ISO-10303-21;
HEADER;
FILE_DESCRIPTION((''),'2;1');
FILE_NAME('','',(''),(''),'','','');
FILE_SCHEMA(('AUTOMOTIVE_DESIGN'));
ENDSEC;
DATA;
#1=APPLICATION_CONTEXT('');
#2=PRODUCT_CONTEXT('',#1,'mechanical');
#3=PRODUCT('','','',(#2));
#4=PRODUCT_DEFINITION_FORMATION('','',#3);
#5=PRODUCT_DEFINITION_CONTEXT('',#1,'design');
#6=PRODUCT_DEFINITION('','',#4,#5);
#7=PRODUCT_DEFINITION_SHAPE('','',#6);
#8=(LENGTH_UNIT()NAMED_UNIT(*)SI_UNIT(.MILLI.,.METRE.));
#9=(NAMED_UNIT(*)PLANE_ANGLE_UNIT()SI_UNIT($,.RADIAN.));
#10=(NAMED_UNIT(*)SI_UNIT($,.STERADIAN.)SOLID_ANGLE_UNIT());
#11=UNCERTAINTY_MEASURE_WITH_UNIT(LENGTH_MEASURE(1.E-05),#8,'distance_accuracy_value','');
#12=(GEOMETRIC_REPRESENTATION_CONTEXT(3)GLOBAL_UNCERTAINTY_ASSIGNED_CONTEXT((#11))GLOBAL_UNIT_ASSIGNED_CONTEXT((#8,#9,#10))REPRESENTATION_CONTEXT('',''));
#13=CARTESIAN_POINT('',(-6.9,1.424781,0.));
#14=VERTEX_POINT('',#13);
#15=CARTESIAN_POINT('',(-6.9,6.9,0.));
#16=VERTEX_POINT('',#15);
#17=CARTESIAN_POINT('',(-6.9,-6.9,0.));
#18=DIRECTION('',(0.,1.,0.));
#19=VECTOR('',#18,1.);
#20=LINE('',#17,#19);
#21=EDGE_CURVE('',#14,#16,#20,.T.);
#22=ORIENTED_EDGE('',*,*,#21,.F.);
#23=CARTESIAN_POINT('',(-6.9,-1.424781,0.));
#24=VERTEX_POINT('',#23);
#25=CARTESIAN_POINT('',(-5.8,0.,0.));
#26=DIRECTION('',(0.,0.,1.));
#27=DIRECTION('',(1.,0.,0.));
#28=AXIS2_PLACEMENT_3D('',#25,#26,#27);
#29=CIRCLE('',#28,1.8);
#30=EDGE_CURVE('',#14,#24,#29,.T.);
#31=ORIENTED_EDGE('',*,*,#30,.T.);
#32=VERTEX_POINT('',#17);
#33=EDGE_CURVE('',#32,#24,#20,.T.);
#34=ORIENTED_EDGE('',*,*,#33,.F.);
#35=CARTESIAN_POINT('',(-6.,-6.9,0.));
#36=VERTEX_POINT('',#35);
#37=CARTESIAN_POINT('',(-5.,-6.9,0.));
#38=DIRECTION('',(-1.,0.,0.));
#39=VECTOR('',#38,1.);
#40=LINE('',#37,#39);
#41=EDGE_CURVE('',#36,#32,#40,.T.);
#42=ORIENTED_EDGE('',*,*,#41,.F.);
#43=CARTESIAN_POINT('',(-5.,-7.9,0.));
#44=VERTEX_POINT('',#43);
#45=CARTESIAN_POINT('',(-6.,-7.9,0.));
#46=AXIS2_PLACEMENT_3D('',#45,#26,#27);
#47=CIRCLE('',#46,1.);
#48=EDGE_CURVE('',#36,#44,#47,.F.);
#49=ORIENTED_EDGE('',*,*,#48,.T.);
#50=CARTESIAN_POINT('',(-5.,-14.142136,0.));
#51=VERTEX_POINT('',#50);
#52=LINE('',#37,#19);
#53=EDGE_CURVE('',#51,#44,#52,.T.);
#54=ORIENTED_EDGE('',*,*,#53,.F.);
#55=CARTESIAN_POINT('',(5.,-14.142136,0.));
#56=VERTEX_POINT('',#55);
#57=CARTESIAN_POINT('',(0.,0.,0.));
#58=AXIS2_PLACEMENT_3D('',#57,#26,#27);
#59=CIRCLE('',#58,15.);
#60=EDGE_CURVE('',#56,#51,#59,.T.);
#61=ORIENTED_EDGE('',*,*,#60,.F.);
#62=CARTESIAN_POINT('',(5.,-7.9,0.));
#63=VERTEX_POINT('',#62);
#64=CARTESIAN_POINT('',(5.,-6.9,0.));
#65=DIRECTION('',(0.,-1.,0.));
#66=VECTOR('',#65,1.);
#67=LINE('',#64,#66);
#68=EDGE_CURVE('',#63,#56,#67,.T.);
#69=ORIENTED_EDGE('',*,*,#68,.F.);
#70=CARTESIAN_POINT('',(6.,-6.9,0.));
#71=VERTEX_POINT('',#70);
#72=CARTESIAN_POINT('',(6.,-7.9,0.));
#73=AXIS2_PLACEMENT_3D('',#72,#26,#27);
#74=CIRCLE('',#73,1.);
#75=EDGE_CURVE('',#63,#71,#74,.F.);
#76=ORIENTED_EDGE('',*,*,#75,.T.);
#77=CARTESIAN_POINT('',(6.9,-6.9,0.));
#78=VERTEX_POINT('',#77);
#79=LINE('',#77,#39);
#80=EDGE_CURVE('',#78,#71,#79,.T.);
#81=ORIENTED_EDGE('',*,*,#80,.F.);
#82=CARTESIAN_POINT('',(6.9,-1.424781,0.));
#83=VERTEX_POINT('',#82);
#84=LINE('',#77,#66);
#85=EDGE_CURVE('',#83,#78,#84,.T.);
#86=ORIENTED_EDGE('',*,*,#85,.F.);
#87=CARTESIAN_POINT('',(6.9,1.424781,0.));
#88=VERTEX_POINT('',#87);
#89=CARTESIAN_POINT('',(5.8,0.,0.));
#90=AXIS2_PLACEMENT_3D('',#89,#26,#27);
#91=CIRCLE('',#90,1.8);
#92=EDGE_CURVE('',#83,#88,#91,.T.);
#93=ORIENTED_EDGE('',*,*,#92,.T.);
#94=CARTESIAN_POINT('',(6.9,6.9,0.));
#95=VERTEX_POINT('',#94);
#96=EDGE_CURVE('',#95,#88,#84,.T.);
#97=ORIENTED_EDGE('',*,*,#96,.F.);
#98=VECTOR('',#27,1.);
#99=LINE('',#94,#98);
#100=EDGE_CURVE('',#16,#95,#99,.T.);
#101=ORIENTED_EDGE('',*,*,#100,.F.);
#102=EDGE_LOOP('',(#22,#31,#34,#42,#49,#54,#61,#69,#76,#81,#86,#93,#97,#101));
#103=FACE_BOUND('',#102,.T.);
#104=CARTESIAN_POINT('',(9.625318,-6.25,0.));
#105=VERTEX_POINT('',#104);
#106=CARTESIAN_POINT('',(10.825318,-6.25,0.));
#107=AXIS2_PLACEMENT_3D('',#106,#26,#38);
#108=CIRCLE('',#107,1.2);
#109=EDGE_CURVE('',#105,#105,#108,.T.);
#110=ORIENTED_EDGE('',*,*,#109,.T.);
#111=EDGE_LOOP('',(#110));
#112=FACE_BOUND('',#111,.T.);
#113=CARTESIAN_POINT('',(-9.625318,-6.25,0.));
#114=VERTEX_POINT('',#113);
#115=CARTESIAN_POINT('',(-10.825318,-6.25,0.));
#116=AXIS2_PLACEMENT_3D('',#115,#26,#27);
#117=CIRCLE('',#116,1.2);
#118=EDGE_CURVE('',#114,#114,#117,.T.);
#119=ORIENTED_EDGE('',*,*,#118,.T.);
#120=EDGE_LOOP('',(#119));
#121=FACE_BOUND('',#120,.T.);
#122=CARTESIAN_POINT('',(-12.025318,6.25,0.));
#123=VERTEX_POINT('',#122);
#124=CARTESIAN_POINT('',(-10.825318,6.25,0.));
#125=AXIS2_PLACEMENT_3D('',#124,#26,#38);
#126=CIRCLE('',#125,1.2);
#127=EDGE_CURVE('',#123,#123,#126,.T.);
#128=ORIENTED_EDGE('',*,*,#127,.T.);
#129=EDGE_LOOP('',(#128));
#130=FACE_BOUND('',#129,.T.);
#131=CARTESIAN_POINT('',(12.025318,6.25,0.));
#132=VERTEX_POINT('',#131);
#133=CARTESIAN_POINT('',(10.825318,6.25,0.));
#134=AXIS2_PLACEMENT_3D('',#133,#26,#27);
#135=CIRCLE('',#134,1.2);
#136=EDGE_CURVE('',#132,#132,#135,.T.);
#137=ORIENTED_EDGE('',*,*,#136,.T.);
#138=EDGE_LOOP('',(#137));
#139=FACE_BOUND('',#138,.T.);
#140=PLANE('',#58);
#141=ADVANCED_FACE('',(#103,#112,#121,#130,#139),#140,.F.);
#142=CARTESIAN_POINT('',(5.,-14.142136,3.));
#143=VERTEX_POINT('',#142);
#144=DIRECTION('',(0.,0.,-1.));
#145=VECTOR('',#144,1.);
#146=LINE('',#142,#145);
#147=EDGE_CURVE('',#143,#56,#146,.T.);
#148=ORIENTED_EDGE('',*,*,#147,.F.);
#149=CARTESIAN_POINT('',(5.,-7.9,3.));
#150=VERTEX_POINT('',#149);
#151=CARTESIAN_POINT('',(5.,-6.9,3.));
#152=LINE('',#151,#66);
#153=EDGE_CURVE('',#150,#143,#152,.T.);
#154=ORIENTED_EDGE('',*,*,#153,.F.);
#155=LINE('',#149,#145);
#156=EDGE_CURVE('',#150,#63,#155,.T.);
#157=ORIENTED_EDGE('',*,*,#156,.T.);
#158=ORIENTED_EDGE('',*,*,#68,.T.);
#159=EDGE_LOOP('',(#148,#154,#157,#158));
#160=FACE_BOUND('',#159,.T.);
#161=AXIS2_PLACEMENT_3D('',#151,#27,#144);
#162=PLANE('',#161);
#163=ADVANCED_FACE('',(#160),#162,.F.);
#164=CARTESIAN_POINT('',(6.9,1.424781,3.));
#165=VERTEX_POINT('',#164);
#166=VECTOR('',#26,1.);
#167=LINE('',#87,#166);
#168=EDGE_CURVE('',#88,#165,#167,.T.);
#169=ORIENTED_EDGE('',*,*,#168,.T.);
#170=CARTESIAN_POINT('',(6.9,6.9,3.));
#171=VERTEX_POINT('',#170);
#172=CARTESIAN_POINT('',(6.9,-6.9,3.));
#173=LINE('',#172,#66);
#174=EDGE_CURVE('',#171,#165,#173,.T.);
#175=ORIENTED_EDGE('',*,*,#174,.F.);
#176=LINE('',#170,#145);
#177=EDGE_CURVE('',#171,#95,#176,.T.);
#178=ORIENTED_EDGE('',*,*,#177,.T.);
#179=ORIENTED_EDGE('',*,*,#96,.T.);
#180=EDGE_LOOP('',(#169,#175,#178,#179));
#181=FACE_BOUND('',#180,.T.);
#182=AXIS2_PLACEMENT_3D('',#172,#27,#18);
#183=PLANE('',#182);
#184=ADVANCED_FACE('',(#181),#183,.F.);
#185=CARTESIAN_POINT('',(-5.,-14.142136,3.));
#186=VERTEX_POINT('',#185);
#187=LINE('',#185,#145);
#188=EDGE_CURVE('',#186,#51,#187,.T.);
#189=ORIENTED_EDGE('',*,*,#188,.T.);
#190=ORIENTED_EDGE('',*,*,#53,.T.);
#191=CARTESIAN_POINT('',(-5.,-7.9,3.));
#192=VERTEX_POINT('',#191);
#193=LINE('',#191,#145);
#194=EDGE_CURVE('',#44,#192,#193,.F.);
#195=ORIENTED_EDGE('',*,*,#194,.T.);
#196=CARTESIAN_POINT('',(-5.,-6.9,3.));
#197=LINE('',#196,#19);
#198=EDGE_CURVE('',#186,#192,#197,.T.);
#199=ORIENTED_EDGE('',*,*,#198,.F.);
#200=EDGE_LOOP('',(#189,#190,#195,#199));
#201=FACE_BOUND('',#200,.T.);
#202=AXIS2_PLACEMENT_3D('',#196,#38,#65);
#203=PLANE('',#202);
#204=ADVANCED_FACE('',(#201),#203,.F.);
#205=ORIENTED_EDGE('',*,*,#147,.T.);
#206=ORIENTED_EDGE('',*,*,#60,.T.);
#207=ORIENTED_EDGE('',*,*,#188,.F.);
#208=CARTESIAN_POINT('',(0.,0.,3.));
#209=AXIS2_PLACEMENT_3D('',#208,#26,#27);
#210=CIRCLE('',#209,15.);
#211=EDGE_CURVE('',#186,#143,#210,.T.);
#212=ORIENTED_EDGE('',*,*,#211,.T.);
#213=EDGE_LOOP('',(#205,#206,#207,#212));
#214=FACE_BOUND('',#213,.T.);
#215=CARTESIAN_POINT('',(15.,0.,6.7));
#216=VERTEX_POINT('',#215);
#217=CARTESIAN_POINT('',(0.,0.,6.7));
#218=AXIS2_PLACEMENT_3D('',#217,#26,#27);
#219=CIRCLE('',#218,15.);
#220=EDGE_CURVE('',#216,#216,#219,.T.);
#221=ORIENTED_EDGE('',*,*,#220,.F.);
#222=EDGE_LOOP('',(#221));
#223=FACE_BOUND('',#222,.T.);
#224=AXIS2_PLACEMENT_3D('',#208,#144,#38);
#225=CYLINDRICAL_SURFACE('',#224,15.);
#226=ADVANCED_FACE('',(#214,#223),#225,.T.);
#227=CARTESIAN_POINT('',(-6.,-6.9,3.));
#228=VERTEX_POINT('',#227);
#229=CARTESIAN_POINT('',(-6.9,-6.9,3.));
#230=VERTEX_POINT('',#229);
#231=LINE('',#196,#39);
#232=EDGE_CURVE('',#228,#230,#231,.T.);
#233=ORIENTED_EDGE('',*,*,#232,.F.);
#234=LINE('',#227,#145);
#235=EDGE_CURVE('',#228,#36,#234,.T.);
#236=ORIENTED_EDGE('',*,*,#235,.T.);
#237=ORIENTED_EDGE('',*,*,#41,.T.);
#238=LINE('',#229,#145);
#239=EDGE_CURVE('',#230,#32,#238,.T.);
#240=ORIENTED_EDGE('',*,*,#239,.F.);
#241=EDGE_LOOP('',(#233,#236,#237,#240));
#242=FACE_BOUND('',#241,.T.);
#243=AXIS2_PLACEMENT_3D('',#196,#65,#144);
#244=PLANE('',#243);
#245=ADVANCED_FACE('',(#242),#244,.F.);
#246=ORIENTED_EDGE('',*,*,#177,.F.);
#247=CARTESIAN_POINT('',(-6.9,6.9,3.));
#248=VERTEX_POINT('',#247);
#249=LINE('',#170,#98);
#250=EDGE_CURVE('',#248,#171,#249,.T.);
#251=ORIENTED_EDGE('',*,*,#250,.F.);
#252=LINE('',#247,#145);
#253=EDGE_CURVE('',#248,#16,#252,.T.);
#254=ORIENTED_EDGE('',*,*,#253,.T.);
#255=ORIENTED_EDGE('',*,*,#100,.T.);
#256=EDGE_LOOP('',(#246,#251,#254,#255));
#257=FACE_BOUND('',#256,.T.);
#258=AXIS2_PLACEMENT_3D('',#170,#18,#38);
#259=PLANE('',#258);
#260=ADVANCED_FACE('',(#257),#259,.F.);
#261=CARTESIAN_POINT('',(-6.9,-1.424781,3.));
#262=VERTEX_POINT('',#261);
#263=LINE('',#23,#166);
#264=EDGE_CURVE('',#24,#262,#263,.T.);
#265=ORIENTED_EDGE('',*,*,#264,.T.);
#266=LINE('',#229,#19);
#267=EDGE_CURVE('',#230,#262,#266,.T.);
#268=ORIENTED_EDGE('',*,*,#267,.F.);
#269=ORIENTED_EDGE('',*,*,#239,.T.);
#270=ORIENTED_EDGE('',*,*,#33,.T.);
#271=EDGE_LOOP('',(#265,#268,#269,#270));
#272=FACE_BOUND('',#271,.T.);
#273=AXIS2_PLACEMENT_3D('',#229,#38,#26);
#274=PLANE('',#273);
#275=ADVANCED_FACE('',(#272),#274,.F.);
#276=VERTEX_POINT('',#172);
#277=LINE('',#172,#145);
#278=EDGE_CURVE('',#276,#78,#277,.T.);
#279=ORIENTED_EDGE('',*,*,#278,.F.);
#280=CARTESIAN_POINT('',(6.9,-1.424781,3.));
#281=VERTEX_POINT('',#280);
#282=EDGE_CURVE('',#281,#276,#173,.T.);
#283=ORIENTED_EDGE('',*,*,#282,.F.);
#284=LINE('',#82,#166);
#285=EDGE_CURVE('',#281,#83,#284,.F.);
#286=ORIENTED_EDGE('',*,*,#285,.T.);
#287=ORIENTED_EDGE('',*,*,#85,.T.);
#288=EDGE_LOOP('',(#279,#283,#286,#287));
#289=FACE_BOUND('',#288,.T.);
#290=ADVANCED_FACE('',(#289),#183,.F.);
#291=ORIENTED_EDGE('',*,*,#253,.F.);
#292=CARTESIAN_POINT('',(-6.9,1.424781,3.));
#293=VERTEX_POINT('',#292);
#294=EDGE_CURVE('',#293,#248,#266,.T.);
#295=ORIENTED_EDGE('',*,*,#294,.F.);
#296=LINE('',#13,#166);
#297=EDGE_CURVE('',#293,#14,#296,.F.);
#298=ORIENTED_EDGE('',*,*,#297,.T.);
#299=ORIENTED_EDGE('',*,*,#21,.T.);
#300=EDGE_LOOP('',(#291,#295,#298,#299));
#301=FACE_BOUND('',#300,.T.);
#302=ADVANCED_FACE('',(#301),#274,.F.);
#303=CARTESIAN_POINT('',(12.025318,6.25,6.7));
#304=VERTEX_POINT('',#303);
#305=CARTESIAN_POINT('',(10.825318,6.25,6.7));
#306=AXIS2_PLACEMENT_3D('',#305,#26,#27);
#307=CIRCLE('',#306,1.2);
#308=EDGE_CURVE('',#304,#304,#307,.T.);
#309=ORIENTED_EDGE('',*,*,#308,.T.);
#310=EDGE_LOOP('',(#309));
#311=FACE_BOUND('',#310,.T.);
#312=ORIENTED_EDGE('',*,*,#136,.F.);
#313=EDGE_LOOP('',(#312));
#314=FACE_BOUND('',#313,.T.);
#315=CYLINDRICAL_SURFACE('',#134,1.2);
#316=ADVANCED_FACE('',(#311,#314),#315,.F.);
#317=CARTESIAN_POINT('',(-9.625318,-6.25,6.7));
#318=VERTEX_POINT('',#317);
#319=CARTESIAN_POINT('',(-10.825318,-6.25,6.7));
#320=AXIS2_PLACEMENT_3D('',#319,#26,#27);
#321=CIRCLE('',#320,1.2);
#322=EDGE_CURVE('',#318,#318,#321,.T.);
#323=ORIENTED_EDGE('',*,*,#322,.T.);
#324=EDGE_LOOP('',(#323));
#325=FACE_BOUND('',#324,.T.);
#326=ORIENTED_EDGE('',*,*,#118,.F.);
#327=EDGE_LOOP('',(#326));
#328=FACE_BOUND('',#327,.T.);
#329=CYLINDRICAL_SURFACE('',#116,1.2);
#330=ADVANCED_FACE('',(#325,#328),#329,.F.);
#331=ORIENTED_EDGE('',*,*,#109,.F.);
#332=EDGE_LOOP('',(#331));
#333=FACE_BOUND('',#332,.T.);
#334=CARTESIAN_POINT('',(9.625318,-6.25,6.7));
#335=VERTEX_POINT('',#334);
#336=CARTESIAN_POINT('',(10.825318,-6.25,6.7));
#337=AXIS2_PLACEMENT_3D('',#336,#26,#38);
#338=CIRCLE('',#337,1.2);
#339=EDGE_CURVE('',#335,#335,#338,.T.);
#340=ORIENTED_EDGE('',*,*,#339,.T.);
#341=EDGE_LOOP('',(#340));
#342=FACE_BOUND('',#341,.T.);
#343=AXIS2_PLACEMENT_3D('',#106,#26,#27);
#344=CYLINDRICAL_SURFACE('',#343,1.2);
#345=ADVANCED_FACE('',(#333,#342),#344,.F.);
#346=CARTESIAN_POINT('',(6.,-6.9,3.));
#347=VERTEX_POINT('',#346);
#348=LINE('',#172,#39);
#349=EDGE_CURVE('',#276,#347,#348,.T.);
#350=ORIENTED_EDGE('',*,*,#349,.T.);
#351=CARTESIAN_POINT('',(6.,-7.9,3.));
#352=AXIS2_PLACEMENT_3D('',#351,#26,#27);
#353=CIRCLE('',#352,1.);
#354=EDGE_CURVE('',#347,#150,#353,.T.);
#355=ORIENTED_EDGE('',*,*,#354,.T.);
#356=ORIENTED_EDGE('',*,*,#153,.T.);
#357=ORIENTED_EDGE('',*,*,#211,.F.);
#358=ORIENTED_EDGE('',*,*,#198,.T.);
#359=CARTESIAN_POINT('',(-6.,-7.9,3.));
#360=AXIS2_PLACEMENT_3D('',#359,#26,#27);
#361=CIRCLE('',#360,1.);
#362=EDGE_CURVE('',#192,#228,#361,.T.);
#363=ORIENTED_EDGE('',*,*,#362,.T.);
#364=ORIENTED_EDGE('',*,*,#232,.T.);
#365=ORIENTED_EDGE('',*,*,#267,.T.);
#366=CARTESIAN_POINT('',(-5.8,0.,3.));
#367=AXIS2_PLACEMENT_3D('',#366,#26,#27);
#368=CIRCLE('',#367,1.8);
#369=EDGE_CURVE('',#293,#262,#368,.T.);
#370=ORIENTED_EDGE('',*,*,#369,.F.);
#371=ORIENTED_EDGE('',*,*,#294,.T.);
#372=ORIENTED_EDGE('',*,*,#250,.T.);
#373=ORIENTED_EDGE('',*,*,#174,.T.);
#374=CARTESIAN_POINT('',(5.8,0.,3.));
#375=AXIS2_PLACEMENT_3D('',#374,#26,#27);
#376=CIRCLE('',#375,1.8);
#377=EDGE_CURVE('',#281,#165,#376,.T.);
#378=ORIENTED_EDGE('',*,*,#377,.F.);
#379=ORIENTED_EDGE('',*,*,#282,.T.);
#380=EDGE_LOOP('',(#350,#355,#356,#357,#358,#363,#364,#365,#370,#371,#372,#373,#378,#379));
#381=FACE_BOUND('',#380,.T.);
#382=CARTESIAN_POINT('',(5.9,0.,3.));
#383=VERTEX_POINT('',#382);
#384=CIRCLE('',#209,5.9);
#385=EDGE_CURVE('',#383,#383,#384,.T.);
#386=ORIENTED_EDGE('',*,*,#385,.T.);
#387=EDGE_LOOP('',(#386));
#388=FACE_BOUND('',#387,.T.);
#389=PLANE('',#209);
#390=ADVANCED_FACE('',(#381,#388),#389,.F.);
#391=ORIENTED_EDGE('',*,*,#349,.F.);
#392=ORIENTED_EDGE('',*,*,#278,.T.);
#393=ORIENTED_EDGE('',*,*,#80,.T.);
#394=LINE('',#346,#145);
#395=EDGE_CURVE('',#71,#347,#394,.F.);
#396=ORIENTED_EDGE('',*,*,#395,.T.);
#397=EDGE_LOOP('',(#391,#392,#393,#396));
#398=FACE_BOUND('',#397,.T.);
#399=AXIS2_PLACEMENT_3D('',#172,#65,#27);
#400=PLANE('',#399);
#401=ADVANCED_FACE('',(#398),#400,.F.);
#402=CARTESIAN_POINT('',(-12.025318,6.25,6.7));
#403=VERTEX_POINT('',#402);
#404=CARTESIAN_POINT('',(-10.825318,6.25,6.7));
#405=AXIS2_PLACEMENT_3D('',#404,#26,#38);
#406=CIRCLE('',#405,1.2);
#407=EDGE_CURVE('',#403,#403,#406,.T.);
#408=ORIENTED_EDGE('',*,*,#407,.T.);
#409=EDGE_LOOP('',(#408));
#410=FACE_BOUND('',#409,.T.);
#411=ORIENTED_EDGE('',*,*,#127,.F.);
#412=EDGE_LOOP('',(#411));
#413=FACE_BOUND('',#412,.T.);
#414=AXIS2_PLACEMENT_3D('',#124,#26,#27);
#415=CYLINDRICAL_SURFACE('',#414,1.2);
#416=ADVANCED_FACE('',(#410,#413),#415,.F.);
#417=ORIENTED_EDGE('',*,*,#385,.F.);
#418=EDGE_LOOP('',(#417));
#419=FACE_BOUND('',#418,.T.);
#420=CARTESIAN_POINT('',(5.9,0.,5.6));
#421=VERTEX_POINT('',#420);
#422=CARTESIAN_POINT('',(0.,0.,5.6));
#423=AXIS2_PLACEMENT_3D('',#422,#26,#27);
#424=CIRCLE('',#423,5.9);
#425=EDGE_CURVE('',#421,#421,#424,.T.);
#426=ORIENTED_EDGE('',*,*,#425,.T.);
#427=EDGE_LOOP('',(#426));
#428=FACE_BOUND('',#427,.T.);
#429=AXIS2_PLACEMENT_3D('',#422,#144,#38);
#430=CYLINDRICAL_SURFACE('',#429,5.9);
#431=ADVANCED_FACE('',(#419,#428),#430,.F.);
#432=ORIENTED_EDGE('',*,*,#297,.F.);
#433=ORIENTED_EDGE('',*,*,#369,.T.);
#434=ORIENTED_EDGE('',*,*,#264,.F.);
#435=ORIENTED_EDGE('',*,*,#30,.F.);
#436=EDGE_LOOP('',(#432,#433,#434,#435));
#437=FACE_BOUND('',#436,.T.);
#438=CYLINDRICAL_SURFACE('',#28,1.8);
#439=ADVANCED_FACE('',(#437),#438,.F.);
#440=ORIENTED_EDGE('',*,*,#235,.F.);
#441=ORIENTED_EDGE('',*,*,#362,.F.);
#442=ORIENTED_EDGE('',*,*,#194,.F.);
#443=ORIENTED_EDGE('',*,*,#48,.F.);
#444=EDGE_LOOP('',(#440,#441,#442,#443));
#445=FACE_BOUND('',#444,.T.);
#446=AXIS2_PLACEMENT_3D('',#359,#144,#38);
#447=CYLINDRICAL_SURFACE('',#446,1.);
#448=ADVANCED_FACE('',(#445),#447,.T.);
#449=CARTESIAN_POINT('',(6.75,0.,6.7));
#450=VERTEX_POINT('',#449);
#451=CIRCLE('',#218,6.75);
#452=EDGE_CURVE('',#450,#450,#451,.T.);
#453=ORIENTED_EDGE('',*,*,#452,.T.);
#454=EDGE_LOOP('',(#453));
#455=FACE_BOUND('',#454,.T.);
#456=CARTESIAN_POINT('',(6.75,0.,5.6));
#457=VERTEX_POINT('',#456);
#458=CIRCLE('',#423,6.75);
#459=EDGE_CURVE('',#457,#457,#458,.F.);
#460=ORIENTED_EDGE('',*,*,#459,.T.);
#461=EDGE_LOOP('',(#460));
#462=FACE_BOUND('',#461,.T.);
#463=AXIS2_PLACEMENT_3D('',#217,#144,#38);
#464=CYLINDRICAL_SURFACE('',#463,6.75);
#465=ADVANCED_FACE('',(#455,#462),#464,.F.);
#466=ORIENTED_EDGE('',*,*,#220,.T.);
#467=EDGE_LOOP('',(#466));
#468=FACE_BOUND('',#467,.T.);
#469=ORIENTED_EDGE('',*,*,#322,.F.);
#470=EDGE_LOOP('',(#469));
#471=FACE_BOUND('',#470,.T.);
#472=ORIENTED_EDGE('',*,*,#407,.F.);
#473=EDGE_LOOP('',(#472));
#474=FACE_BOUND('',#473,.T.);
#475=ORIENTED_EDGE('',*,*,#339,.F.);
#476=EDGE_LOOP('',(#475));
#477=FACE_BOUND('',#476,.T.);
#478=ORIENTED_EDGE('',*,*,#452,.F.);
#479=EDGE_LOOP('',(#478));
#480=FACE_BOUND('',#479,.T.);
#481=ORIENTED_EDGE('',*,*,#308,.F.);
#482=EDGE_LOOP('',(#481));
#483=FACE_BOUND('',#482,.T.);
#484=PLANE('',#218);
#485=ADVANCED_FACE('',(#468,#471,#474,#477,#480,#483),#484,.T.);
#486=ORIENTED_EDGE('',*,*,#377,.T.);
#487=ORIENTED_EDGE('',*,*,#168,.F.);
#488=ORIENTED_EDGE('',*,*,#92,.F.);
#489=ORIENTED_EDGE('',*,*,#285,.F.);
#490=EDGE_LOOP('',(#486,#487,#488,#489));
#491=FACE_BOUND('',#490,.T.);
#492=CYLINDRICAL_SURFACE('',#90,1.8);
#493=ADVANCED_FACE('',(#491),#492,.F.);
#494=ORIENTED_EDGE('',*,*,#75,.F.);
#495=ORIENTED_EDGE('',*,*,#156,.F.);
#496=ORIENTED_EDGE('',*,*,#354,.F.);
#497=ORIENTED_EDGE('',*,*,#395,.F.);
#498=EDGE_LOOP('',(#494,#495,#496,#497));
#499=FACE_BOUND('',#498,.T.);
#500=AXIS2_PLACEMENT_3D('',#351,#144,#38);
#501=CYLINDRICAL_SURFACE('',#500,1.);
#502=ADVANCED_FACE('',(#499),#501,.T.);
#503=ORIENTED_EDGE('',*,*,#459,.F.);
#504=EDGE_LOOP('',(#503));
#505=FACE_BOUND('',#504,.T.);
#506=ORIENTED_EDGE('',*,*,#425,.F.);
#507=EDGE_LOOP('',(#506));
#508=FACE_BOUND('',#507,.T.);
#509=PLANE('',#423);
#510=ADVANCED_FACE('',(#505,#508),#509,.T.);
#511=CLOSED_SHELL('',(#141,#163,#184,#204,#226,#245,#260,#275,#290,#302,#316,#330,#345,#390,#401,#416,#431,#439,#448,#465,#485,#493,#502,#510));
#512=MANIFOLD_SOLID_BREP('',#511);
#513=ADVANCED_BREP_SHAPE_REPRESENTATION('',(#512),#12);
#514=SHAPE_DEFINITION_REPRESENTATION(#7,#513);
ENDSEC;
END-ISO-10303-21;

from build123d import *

# Parameters (mm, degrees)
EXTRUDE_1_DEPTH     = 3
CUT_EXTRUDE_4_DEPTH = 4
SKETCH_12_R         = 15
SKETCH_12_R_2       = 5.9
EXTRUDE_2_DEPTH     = 2.6
SKETCH_13_R         = 15
SKETCH_13_R_2       = 6.75
EXTRUDE_3_DEPTH     = 1.1
SKETCH_14_R         = 1.2
CUT_EXTRUDE_5_DEPTH = 7.7
FILLET_1_R          = 1


with BuildPart() as part:
    # 스케치1 → 보스-돌출1 (new body)
    with BuildSketch(Plane.XY):
        with BuildLine():
            Line((-5, -6.9), (-6.9, -6.9))
            Line((-6.9, -6.9), (-6.9, 6.9))
            Line((-6.9, 6.9), (6.9, 6.9))
            Line((6.9, 6.9), (6.9, -6.9))
            Line((6.9, -6.9), (5, -6.9))
            Line((5, -6.9), (5, -14.142135624))
            ThreePointArc((5, -14.142135624), (0, 15), (-5, -14.142135624))
            Line((-5, -14.142135624), (-5, -6.9))
        make_face()
    extrude(amount=EXTRUDE_1_DEPTH)

    # 스케치11 → 컷-돌출4 (cut, through all)
    with BuildSketch(Plane.XY.offset(3)):
        with BuildLine():
            Line((5.8, -1.8), (-5.8, -1.8))
            ThreePointArc((-5.8, -1.8), (-7.6, 0), (-5.8, 1.8))
            Line((-5.8, 1.8), (5.8, 1.8))
            ThreePointArc((5.8, 1.8), (7.6, 0), (5.8, -1.8))
        make_face()
    extrude(amount=-CUT_EXTRUDE_4_DEPTH, mode=Mode.SUBTRACT)

    # 스케치12 → 보스-돌출2 (add)
    with BuildSketch(Plane.XY.offset(3)):
        Circle(SKETCH_12_R)
        Circle(SKETCH_12_R_2, mode=Mode.SUBTRACT)
    extrude(amount=EXTRUDE_2_DEPTH)

    # 스케치13 → 보스-돌출3 (add)
    with BuildSketch(Plane.XY.offset(5.6)):
        Circle(SKETCH_13_R)
        Circle(SKETCH_13_R_2, mode=Mode.SUBTRACT)
    extrude(amount=EXTRUDE_3_DEPTH)

    # 스케치14 → 컷-돌출5 (cut, through all)
    with BuildSketch(Plane.XY.offset(6.7)):
        with Locations((10.825317547, 6.25)):
            Circle(SKETCH_14_R)
        with Locations((-10.825317547, 6.25)):
            Circle(SKETCH_14_R)
        with Locations((10.825317547, -6.25)):
            Circle(SKETCH_14_R)
        with Locations((-10.825317547, -6.25)):
            Circle(SKETCH_14_R)
    extrude(amount=-CUT_EXTRUDE_5_DEPTH, mode=Mode.SUBTRACT)

    # 필렛1
    fillet_1_edges = [part.edges().sort_by_distance(p)[0] for p in [
        (-5, -6.9, 1.5),
        (5, -6.9, 1.5),
    ]]
    fillet(fillet_1_edges, radius=FILLET_1_R)


solid = part.part
